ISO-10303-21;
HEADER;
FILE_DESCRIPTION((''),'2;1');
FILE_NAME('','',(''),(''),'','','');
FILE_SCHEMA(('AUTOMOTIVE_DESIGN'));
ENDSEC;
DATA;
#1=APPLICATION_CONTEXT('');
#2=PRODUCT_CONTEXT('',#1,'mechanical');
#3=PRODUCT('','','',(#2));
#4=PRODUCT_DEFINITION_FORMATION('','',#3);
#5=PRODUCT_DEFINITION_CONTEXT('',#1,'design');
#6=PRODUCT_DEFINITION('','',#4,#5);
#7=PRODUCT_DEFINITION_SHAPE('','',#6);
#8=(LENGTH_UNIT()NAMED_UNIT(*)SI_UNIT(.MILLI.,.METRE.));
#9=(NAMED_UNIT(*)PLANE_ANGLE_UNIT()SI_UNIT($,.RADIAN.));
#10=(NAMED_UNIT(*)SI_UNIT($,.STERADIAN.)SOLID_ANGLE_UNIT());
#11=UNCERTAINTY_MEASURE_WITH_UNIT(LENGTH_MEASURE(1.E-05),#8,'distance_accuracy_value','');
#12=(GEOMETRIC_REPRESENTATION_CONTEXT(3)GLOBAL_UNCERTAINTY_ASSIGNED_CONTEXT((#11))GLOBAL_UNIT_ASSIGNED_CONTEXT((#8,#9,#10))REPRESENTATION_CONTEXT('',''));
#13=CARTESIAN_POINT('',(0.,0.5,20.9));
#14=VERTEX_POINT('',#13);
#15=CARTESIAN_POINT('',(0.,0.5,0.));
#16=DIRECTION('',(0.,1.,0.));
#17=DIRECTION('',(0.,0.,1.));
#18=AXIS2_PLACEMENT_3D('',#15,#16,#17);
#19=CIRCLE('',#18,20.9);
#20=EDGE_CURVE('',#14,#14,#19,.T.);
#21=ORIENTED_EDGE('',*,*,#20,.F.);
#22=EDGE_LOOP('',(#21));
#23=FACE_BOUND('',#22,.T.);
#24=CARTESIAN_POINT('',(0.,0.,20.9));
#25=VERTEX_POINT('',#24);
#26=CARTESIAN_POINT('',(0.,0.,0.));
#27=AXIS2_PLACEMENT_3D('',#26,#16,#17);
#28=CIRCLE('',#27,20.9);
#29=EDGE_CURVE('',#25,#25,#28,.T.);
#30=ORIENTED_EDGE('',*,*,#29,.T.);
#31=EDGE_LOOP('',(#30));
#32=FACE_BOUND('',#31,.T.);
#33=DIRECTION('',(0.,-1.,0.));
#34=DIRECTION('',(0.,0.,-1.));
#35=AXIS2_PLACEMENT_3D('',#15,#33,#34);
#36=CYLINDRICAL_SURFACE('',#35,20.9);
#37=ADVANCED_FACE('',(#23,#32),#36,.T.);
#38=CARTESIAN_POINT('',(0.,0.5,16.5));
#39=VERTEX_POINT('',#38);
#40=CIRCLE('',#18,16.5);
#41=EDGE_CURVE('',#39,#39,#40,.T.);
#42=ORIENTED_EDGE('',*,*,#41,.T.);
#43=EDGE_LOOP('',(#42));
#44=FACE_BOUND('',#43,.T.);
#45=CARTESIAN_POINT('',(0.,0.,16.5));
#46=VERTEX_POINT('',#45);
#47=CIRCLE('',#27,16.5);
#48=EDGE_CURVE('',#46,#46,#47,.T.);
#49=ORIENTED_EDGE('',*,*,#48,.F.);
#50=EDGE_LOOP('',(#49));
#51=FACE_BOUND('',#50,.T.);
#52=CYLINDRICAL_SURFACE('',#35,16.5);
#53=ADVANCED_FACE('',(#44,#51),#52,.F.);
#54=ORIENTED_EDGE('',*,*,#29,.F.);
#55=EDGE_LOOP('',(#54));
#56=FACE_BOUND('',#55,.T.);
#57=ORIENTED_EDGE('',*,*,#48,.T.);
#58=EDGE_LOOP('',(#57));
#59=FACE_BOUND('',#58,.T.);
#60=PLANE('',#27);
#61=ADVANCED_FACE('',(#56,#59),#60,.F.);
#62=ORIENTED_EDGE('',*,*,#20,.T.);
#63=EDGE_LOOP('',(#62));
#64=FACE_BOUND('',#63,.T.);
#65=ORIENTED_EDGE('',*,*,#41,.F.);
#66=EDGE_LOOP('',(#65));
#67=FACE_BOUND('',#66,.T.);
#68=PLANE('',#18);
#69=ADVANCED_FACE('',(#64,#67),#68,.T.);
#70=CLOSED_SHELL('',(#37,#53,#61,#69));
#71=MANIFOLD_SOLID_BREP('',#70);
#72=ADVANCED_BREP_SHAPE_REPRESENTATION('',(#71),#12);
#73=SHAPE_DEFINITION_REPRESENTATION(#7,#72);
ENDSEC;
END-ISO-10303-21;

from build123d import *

# Parameters (mm, degrees)
SKETCH1_R           = 20.9
SKETCH1_R_2         = 16.5
BOSS_EXTRUDE1_DEPTH = 0.5


with BuildPart() as part:
    # Sketch1 → Boss-Extrude1 (new body)
    with BuildSketch(Plane(origin=(0, 0, 0), x_dir=(1, 0, 0), z_dir=(0, 1, 0))):
        with Locations(Location((0, 0, 0), (0, 0, 270))):
            Circle(SKETCH1_R)
        with Locations(Location((0, 0, 0), (0, 0, 270))):
            Circle(SKETCH1_R_2, mode=Mode.SUBTRACT)
    extrude(amount=BOSS_EXTRUDE1_DEPTH)


solid = part.part
